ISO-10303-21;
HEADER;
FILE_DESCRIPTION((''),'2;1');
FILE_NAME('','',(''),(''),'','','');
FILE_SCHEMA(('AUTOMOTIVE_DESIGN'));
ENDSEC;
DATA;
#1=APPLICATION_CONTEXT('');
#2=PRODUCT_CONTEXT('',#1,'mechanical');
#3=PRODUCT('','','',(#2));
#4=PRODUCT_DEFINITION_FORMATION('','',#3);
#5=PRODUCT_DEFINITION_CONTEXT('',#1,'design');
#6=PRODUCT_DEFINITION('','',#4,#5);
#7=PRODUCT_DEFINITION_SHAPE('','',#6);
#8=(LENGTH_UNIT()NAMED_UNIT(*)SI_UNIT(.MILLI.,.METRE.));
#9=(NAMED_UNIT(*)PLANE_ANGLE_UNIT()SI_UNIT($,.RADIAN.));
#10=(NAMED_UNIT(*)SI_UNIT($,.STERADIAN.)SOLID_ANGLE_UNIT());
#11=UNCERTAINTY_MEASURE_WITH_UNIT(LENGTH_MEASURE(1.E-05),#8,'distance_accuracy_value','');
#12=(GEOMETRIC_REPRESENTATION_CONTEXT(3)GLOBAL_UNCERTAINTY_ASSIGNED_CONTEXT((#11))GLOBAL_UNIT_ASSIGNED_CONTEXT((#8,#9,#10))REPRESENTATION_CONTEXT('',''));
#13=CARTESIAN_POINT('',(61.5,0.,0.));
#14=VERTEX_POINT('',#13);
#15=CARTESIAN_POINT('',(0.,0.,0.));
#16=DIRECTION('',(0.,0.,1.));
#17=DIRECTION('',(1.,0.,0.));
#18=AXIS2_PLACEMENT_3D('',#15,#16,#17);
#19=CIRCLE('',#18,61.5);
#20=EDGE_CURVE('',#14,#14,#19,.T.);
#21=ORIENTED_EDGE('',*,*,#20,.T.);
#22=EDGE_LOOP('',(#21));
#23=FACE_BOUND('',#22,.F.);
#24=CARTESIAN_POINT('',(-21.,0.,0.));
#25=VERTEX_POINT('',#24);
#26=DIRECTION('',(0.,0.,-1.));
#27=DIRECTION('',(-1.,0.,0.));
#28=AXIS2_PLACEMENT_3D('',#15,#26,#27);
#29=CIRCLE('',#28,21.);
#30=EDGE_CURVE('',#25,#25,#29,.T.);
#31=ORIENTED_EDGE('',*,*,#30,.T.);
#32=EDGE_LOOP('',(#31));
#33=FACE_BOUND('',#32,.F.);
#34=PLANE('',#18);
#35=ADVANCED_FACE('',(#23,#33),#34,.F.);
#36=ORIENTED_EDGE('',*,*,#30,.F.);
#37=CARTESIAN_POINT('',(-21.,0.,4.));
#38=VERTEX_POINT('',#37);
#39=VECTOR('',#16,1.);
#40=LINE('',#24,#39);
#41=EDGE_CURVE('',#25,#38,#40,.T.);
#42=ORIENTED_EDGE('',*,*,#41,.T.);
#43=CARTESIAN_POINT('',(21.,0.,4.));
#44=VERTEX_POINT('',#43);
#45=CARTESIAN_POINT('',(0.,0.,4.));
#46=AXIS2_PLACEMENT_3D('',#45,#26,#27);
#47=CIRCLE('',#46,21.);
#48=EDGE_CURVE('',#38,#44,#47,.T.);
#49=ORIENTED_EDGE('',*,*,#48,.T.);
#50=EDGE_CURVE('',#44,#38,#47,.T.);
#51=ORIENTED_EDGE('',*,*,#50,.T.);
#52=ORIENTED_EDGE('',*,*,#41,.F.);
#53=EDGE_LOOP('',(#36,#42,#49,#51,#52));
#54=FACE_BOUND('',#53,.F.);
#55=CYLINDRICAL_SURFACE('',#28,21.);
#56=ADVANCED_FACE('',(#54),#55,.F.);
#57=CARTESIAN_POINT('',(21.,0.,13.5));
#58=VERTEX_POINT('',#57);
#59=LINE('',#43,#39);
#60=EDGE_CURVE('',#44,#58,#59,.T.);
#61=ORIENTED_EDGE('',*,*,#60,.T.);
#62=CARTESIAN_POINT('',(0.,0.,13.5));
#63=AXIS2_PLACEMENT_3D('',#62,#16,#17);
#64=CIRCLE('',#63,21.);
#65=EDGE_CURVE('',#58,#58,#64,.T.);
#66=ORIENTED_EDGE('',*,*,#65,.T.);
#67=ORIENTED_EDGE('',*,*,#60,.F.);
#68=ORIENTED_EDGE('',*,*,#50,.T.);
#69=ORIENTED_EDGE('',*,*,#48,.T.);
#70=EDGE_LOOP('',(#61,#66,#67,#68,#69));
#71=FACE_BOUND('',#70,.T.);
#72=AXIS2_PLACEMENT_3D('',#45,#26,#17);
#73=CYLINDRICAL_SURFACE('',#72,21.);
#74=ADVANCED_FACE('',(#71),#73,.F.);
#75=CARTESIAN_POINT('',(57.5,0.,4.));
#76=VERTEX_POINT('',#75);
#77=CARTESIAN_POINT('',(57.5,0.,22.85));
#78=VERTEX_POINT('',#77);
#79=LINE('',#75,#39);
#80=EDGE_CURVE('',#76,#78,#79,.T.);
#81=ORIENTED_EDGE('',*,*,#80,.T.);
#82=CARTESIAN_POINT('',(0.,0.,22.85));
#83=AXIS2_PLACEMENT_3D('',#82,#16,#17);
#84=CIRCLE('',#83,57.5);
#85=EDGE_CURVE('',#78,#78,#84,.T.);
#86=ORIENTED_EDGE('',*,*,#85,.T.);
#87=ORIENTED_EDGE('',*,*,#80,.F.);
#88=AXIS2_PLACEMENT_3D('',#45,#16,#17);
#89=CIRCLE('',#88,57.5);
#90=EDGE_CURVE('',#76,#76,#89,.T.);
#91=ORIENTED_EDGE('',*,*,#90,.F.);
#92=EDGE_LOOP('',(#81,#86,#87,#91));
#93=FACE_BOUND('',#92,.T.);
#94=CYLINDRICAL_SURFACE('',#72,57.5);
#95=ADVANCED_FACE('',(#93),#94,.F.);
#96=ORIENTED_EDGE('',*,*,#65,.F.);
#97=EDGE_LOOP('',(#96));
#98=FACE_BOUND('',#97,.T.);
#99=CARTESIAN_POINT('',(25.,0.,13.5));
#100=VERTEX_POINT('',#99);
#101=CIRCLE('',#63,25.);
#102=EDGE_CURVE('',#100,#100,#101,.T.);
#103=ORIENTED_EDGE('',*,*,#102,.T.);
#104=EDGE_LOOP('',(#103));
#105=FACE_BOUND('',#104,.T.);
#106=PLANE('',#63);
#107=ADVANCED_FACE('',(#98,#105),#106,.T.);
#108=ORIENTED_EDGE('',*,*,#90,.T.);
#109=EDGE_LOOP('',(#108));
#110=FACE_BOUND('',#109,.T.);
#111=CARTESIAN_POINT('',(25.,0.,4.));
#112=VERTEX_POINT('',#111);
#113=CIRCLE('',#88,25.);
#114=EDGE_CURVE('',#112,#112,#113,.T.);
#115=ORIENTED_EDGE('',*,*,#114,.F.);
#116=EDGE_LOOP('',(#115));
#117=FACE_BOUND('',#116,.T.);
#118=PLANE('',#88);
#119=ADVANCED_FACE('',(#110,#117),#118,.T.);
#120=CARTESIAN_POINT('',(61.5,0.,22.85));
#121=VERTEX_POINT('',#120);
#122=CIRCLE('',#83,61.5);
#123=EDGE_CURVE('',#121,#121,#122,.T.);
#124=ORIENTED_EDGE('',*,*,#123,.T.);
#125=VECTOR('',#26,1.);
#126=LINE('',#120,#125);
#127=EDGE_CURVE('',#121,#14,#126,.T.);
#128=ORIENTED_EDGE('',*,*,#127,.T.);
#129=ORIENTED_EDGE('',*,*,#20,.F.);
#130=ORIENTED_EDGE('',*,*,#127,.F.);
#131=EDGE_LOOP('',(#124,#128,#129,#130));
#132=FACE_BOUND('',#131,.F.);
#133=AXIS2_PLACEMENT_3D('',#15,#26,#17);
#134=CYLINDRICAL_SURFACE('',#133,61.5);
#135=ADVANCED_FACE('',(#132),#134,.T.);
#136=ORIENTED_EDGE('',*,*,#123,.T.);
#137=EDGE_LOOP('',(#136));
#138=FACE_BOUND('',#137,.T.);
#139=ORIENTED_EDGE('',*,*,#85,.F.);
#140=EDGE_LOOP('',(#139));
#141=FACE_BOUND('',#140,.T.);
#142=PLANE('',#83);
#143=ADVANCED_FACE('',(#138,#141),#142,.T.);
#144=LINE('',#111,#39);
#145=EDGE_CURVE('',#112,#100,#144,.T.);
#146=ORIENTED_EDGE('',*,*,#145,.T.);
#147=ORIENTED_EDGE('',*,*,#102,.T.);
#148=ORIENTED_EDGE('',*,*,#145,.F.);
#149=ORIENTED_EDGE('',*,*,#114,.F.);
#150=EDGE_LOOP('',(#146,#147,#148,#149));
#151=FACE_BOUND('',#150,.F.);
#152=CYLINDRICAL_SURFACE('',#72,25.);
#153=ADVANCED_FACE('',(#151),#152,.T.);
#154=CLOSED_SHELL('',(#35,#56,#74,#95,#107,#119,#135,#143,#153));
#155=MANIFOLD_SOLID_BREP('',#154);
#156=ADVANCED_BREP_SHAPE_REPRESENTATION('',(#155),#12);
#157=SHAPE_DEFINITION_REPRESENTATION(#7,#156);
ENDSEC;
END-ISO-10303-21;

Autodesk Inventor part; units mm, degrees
ref_plane "YZ Plane" through (0, 0, 0) normal (1, 0, 0) x (0, 1, 0)
ref_plane "XZ Plane" through (0, 0, 0) normal (0, 1, 0) x (-1, 0, 0)
ref_plane "XY Plane" through (0, 0, 0) normal (0, 0, 1) x (1, 0, 0)
sketch "Sketch1" plane through (0, 0, 0) normal (0, 0, 1) x (1, 0, 0)
  circle A0 centre (0, 0) radius 61.5
  dimension "d0" = 123
extrude "Extrusion1" add sketch "Sketch1" along normal blind 4
sketch "Sketch2" plane through (0, 0, 4) normal (0, 0, 1) x (1, 0, 0)
  circle A0 centre (0, 0) radius 61.5 projected
  circle A1 centre (0, 0) radius 57.5
  dimension "d12" = 115
extrude "Extrusion2" add sketch "Sketch2" along normal blind 18.85
sketch "Sketch3" plane through (0, 0, 0) normal (0, 0, -1) x (-1, 0, 0)
  circle A0 centre (0, 0) radius 21
  dimension "d6" = 42
extrude "Extrusion3" cut sketch "Sketch3" against normal through all
sketch "Sketch4" plane through (0, 0, 4) normal (0, 0, 1) x (1, 0, 0)
  circle A0 centre (0, 0) radius 21 projected
  circle A1 centre (0, 0) radius 25
  dimension "d9" = 4
extrude "Extrusion4" add sketch "Sketch4" along normal blind 9.5
properties part number "stator_housing"
